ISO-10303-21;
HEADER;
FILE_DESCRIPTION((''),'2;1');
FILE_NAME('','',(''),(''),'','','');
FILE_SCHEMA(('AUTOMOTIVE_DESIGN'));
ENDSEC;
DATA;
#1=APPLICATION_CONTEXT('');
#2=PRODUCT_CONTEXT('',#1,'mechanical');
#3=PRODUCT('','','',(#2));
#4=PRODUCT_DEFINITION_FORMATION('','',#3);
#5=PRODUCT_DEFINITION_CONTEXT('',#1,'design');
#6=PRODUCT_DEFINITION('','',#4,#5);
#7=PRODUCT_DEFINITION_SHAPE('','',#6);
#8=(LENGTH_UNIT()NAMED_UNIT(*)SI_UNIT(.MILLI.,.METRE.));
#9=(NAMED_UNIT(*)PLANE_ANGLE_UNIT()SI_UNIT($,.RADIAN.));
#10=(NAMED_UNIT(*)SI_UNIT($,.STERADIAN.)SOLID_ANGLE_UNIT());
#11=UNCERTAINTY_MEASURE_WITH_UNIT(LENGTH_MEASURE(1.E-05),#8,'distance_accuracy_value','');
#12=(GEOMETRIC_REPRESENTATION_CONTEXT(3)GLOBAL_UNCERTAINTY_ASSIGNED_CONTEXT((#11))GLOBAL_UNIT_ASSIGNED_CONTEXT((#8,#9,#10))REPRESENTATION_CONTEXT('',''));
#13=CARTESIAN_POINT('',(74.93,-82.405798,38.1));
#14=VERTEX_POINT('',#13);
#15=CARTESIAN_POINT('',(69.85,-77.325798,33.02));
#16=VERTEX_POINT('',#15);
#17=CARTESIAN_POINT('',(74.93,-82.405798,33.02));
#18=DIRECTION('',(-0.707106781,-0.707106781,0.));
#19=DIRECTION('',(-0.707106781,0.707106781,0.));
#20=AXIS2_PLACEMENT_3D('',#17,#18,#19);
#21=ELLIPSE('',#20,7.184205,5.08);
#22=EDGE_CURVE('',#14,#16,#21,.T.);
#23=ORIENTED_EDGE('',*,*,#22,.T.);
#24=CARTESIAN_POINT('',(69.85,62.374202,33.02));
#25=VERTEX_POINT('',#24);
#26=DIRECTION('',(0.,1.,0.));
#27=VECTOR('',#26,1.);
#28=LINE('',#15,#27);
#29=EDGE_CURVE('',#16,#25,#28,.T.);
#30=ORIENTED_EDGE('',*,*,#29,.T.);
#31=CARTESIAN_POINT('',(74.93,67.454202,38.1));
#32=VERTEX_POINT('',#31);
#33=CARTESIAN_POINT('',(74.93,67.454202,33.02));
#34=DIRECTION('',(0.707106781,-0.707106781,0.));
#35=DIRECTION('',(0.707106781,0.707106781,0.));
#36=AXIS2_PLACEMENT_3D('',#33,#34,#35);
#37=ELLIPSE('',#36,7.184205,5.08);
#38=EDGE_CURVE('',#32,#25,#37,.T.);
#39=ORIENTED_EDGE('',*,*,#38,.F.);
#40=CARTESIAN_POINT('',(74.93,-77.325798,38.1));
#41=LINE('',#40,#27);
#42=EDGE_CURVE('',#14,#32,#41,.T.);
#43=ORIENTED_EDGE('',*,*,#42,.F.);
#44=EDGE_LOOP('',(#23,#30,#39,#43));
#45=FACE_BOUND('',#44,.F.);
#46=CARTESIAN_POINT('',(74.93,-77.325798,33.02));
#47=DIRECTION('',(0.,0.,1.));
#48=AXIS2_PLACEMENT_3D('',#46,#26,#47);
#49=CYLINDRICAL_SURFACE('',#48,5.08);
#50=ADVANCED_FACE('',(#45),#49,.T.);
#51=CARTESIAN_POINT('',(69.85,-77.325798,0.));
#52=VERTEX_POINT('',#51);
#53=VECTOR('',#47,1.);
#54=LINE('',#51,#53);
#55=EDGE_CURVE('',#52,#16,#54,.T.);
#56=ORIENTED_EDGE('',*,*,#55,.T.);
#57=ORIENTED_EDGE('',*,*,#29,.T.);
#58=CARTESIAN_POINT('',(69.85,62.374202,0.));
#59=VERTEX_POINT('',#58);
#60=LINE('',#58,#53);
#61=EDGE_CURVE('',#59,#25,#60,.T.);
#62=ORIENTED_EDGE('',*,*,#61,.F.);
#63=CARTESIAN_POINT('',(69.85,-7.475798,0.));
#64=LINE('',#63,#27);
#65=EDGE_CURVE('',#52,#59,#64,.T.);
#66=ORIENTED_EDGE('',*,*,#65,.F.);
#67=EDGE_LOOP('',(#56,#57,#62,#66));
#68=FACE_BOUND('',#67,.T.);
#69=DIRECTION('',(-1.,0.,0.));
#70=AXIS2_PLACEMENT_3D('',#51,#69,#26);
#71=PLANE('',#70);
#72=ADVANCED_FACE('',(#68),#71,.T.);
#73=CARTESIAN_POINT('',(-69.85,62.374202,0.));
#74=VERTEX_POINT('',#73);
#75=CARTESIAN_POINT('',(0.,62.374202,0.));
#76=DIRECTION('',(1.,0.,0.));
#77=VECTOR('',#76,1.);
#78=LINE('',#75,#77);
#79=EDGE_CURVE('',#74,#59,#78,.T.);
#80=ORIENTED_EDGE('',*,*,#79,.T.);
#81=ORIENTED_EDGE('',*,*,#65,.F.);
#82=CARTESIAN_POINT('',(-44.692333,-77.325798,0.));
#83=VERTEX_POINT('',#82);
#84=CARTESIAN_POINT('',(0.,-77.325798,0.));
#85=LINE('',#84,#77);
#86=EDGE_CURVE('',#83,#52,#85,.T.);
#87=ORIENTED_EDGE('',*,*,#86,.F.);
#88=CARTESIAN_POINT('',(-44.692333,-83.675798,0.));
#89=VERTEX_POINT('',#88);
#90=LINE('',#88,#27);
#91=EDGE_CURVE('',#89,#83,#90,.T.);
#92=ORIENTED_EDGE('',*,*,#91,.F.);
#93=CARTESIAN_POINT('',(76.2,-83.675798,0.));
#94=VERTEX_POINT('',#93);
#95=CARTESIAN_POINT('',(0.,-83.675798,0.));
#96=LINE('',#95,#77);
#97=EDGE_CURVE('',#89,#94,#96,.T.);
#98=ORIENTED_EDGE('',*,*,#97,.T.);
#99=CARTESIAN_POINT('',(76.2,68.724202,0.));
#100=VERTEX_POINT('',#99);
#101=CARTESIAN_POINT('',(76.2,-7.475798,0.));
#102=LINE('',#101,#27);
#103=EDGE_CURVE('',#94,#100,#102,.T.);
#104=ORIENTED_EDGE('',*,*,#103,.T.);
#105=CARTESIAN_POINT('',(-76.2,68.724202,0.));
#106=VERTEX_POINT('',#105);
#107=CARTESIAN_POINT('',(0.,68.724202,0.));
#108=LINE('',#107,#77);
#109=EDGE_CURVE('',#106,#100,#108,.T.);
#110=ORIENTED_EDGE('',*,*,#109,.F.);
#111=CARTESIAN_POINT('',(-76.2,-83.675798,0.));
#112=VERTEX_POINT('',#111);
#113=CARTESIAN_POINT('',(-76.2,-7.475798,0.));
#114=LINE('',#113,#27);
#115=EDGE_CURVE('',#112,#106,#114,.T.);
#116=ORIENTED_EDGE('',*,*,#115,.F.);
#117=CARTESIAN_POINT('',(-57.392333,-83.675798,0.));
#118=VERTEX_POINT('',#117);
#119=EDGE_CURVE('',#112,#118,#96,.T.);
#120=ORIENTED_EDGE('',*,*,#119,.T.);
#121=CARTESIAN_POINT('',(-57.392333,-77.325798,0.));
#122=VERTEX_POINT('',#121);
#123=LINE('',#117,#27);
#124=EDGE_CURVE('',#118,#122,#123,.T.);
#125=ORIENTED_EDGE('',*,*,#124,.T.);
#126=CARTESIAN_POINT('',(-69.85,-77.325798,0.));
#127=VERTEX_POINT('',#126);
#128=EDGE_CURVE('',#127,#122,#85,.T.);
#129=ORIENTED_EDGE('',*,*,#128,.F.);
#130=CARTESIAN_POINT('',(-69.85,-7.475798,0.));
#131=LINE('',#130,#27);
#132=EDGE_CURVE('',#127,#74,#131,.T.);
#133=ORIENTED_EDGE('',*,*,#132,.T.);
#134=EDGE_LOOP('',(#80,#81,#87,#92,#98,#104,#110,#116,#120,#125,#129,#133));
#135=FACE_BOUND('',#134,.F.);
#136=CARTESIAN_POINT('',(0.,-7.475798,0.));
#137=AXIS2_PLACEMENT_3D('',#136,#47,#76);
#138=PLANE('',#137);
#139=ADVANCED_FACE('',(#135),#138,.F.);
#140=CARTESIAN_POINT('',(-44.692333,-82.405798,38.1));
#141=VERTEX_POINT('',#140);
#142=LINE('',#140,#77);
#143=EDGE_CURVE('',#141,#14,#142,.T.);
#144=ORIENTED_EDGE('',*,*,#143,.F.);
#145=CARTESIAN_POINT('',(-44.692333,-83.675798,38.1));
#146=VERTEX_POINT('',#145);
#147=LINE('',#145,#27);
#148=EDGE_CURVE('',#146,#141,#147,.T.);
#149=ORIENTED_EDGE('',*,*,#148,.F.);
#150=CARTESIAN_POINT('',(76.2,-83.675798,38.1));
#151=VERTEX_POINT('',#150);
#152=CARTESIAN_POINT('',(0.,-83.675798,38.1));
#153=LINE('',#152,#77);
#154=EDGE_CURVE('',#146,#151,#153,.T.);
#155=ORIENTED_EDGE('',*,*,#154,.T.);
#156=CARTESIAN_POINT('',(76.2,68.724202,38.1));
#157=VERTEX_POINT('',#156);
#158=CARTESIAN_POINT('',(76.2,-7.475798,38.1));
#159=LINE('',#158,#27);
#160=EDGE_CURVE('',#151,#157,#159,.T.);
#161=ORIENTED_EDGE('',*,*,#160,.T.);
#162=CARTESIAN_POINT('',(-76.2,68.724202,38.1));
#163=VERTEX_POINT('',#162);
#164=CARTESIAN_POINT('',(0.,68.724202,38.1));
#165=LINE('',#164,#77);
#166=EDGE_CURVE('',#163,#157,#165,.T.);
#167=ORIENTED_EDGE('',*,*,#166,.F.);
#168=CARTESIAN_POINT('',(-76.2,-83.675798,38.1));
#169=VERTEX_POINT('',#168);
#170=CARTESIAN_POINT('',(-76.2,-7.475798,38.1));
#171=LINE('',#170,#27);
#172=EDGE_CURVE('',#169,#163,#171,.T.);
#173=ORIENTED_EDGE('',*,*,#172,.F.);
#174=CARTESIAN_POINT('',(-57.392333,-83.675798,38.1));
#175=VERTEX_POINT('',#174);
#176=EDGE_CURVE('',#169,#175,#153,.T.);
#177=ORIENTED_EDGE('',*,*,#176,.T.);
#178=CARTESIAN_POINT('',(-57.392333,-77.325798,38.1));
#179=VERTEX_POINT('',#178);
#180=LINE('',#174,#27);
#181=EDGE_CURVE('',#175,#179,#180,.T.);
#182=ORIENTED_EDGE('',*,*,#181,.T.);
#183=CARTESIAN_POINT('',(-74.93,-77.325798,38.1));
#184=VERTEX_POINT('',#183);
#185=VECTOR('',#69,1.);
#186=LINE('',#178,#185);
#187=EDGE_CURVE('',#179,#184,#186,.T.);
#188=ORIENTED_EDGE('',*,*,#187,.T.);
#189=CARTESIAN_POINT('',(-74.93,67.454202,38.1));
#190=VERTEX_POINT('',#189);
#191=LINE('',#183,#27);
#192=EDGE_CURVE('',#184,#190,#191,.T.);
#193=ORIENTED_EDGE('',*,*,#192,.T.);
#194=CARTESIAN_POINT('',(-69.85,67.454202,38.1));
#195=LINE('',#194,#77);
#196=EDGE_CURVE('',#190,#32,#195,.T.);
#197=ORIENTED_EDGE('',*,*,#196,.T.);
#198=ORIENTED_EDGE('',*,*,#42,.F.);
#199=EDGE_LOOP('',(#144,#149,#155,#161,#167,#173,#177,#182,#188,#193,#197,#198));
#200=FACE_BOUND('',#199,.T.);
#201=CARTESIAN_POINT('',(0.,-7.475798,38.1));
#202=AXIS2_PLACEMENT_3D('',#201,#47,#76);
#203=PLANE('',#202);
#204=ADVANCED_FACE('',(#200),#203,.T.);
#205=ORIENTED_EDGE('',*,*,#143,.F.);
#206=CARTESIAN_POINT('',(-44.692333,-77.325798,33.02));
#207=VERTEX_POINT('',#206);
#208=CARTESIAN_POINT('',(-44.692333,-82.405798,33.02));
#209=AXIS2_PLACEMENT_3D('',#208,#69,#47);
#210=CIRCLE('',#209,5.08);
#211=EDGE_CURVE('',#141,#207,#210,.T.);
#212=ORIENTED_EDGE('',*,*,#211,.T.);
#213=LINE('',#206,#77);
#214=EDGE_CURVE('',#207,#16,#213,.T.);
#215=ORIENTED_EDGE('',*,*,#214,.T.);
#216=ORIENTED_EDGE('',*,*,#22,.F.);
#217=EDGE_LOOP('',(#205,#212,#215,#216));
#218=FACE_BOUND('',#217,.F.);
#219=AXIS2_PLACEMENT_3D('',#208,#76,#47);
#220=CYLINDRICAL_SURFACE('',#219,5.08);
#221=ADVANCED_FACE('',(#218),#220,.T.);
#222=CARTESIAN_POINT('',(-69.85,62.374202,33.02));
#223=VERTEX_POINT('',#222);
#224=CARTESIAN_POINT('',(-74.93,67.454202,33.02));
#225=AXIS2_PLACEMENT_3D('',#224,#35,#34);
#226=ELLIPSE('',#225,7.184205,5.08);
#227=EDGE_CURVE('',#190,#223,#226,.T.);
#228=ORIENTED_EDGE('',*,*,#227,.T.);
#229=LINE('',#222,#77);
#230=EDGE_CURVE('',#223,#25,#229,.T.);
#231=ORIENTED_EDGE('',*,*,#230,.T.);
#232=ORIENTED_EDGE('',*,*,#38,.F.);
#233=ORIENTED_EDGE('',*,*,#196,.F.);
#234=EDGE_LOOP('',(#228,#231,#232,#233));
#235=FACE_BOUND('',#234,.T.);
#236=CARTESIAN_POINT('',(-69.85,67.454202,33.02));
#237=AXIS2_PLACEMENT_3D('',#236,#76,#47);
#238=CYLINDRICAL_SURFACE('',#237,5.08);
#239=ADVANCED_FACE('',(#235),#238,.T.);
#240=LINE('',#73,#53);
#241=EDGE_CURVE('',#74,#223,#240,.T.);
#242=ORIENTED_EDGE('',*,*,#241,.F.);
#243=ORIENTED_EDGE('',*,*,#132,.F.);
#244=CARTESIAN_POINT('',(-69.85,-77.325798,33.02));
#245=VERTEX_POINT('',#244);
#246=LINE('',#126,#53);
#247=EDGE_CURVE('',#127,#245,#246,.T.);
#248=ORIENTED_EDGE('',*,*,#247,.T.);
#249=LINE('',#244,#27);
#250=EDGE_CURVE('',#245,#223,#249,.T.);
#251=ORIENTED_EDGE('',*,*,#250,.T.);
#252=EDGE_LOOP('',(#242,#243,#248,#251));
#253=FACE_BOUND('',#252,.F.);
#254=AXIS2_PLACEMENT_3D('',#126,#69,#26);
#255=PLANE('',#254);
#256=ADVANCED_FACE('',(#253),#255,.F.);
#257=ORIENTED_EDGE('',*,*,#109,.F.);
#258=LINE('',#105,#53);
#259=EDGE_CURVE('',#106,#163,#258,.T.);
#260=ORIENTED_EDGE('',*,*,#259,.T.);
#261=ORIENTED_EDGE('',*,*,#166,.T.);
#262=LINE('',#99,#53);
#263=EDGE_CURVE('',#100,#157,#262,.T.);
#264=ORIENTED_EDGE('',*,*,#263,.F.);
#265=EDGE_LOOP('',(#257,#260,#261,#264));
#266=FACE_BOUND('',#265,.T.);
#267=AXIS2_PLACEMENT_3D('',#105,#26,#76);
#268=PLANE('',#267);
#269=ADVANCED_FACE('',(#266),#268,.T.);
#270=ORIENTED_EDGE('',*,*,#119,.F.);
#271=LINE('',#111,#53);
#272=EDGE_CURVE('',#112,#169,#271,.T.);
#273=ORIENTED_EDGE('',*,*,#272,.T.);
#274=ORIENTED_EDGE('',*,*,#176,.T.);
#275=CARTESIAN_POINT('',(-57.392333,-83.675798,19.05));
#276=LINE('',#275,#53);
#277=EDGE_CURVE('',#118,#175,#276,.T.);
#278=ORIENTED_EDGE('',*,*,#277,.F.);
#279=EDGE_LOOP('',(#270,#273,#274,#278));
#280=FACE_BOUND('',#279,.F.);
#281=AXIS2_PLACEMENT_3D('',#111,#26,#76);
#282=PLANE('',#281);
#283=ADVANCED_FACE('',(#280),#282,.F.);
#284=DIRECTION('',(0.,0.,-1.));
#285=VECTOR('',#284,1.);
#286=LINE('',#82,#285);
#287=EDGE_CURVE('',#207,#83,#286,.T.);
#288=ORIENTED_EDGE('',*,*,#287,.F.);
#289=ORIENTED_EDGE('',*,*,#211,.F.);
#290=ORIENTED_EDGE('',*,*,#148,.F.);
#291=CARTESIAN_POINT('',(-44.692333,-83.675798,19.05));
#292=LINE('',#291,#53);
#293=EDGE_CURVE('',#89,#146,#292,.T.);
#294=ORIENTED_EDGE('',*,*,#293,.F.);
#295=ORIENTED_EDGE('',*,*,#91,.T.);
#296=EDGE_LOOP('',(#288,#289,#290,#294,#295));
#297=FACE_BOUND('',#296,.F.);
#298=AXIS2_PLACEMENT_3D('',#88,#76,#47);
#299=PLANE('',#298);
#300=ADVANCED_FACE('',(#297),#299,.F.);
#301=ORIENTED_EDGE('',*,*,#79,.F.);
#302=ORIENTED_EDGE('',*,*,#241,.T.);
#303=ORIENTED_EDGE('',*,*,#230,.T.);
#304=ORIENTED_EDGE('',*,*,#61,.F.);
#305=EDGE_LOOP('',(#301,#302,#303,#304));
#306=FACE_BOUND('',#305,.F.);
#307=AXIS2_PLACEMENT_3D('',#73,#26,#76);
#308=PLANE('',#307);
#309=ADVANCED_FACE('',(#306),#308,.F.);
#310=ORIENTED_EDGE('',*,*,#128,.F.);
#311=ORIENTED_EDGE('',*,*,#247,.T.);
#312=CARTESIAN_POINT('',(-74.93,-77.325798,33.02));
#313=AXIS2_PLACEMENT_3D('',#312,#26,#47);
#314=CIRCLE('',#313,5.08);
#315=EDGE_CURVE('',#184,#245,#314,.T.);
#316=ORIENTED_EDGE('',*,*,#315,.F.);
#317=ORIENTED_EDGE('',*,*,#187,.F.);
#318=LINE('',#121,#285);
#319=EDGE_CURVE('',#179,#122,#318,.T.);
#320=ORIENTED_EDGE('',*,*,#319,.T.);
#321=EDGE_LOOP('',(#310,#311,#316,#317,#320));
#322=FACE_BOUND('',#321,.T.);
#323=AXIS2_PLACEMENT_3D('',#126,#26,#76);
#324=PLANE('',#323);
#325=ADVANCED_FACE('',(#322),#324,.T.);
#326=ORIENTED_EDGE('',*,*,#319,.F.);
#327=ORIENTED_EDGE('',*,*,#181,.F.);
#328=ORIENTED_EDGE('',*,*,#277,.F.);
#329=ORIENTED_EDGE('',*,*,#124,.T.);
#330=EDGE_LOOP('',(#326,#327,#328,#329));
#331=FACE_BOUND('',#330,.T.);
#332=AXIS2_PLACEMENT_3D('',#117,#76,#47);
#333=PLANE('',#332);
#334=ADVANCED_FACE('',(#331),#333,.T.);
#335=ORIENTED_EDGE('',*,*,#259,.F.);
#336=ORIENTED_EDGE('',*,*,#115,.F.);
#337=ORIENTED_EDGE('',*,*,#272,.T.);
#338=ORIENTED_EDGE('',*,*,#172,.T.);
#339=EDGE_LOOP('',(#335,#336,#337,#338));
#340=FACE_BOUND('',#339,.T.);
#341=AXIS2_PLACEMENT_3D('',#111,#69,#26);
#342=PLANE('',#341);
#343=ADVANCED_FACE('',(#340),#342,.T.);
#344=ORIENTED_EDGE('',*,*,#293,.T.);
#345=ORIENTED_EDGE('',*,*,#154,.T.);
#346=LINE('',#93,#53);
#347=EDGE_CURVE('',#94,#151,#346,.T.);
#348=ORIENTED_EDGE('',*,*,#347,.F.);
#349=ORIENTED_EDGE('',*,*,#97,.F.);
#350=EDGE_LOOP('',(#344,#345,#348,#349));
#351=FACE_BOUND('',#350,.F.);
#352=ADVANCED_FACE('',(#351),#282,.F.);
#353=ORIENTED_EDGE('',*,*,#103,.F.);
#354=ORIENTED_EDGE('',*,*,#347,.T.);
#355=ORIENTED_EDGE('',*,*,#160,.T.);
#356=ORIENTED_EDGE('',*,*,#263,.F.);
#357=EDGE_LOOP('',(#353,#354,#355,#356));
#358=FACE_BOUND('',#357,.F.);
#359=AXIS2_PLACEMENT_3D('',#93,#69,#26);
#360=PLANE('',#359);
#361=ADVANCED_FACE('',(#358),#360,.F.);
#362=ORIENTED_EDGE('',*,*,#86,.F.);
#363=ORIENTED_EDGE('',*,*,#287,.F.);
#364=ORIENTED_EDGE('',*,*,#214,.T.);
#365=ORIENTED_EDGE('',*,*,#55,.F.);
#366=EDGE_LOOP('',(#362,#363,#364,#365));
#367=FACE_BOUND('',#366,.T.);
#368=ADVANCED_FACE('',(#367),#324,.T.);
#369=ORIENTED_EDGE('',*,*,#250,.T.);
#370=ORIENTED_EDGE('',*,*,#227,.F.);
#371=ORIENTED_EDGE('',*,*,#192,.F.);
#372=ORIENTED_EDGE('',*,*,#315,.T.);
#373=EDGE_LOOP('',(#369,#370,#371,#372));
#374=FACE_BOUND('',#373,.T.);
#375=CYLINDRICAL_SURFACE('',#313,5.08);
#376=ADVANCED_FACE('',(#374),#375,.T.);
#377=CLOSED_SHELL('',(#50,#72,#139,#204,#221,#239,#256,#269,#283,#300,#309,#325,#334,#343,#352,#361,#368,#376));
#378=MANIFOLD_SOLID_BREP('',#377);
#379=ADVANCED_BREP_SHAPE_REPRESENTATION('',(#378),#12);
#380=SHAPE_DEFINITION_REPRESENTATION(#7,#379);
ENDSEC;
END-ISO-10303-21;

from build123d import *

# Parameters (mm, degrees)
F0_W     = 152.4
F0_H     = 152.4
F0_W_2   = 139.7
F0_H_2   = 139.7
F1_DEPTH = 38.1
F2_W     = 12.7
F2_H     = 38.1
F3_DEPTH = 37.084
F4_R     = 5.08


with BuildPart() as f1:
    # F0 (on Top) → F1 (new body)
    with BuildSketch(Plane.XY):
        with Locations((0, -7.475798)):
            Rectangle(F0_W, F0_H)
        with Locations((0, -7.475798)):
            Rectangle(F0_W_2, F0_H_2, mode=Mode.SUBTRACT)
    extrude(amount=F1_DEPTH)

    # F2 (on face) → F3 (cut)
    with BuildSketch(Plane.XZ.offset(83.675798)):
        with Locations((-51.042333, 19.05)):
            Rectangle(F2_W, F2_H)
    extrude(amount=-F3_DEPTH, mode=Mode.SUBTRACT)

    # F4
    f4_edges = [f1.edges().sort_by_distance(p)[0] for p in [
        (69.85, -7.475798, 38.1),
        (0, 62.374202, 38.1),
        (12.578834, -77.325798, 38.1),
        (-69.85, -7.475798, 38.1),
    ]]
    fillet(f4_edges, radius=F4_R)


solid = f1.part
